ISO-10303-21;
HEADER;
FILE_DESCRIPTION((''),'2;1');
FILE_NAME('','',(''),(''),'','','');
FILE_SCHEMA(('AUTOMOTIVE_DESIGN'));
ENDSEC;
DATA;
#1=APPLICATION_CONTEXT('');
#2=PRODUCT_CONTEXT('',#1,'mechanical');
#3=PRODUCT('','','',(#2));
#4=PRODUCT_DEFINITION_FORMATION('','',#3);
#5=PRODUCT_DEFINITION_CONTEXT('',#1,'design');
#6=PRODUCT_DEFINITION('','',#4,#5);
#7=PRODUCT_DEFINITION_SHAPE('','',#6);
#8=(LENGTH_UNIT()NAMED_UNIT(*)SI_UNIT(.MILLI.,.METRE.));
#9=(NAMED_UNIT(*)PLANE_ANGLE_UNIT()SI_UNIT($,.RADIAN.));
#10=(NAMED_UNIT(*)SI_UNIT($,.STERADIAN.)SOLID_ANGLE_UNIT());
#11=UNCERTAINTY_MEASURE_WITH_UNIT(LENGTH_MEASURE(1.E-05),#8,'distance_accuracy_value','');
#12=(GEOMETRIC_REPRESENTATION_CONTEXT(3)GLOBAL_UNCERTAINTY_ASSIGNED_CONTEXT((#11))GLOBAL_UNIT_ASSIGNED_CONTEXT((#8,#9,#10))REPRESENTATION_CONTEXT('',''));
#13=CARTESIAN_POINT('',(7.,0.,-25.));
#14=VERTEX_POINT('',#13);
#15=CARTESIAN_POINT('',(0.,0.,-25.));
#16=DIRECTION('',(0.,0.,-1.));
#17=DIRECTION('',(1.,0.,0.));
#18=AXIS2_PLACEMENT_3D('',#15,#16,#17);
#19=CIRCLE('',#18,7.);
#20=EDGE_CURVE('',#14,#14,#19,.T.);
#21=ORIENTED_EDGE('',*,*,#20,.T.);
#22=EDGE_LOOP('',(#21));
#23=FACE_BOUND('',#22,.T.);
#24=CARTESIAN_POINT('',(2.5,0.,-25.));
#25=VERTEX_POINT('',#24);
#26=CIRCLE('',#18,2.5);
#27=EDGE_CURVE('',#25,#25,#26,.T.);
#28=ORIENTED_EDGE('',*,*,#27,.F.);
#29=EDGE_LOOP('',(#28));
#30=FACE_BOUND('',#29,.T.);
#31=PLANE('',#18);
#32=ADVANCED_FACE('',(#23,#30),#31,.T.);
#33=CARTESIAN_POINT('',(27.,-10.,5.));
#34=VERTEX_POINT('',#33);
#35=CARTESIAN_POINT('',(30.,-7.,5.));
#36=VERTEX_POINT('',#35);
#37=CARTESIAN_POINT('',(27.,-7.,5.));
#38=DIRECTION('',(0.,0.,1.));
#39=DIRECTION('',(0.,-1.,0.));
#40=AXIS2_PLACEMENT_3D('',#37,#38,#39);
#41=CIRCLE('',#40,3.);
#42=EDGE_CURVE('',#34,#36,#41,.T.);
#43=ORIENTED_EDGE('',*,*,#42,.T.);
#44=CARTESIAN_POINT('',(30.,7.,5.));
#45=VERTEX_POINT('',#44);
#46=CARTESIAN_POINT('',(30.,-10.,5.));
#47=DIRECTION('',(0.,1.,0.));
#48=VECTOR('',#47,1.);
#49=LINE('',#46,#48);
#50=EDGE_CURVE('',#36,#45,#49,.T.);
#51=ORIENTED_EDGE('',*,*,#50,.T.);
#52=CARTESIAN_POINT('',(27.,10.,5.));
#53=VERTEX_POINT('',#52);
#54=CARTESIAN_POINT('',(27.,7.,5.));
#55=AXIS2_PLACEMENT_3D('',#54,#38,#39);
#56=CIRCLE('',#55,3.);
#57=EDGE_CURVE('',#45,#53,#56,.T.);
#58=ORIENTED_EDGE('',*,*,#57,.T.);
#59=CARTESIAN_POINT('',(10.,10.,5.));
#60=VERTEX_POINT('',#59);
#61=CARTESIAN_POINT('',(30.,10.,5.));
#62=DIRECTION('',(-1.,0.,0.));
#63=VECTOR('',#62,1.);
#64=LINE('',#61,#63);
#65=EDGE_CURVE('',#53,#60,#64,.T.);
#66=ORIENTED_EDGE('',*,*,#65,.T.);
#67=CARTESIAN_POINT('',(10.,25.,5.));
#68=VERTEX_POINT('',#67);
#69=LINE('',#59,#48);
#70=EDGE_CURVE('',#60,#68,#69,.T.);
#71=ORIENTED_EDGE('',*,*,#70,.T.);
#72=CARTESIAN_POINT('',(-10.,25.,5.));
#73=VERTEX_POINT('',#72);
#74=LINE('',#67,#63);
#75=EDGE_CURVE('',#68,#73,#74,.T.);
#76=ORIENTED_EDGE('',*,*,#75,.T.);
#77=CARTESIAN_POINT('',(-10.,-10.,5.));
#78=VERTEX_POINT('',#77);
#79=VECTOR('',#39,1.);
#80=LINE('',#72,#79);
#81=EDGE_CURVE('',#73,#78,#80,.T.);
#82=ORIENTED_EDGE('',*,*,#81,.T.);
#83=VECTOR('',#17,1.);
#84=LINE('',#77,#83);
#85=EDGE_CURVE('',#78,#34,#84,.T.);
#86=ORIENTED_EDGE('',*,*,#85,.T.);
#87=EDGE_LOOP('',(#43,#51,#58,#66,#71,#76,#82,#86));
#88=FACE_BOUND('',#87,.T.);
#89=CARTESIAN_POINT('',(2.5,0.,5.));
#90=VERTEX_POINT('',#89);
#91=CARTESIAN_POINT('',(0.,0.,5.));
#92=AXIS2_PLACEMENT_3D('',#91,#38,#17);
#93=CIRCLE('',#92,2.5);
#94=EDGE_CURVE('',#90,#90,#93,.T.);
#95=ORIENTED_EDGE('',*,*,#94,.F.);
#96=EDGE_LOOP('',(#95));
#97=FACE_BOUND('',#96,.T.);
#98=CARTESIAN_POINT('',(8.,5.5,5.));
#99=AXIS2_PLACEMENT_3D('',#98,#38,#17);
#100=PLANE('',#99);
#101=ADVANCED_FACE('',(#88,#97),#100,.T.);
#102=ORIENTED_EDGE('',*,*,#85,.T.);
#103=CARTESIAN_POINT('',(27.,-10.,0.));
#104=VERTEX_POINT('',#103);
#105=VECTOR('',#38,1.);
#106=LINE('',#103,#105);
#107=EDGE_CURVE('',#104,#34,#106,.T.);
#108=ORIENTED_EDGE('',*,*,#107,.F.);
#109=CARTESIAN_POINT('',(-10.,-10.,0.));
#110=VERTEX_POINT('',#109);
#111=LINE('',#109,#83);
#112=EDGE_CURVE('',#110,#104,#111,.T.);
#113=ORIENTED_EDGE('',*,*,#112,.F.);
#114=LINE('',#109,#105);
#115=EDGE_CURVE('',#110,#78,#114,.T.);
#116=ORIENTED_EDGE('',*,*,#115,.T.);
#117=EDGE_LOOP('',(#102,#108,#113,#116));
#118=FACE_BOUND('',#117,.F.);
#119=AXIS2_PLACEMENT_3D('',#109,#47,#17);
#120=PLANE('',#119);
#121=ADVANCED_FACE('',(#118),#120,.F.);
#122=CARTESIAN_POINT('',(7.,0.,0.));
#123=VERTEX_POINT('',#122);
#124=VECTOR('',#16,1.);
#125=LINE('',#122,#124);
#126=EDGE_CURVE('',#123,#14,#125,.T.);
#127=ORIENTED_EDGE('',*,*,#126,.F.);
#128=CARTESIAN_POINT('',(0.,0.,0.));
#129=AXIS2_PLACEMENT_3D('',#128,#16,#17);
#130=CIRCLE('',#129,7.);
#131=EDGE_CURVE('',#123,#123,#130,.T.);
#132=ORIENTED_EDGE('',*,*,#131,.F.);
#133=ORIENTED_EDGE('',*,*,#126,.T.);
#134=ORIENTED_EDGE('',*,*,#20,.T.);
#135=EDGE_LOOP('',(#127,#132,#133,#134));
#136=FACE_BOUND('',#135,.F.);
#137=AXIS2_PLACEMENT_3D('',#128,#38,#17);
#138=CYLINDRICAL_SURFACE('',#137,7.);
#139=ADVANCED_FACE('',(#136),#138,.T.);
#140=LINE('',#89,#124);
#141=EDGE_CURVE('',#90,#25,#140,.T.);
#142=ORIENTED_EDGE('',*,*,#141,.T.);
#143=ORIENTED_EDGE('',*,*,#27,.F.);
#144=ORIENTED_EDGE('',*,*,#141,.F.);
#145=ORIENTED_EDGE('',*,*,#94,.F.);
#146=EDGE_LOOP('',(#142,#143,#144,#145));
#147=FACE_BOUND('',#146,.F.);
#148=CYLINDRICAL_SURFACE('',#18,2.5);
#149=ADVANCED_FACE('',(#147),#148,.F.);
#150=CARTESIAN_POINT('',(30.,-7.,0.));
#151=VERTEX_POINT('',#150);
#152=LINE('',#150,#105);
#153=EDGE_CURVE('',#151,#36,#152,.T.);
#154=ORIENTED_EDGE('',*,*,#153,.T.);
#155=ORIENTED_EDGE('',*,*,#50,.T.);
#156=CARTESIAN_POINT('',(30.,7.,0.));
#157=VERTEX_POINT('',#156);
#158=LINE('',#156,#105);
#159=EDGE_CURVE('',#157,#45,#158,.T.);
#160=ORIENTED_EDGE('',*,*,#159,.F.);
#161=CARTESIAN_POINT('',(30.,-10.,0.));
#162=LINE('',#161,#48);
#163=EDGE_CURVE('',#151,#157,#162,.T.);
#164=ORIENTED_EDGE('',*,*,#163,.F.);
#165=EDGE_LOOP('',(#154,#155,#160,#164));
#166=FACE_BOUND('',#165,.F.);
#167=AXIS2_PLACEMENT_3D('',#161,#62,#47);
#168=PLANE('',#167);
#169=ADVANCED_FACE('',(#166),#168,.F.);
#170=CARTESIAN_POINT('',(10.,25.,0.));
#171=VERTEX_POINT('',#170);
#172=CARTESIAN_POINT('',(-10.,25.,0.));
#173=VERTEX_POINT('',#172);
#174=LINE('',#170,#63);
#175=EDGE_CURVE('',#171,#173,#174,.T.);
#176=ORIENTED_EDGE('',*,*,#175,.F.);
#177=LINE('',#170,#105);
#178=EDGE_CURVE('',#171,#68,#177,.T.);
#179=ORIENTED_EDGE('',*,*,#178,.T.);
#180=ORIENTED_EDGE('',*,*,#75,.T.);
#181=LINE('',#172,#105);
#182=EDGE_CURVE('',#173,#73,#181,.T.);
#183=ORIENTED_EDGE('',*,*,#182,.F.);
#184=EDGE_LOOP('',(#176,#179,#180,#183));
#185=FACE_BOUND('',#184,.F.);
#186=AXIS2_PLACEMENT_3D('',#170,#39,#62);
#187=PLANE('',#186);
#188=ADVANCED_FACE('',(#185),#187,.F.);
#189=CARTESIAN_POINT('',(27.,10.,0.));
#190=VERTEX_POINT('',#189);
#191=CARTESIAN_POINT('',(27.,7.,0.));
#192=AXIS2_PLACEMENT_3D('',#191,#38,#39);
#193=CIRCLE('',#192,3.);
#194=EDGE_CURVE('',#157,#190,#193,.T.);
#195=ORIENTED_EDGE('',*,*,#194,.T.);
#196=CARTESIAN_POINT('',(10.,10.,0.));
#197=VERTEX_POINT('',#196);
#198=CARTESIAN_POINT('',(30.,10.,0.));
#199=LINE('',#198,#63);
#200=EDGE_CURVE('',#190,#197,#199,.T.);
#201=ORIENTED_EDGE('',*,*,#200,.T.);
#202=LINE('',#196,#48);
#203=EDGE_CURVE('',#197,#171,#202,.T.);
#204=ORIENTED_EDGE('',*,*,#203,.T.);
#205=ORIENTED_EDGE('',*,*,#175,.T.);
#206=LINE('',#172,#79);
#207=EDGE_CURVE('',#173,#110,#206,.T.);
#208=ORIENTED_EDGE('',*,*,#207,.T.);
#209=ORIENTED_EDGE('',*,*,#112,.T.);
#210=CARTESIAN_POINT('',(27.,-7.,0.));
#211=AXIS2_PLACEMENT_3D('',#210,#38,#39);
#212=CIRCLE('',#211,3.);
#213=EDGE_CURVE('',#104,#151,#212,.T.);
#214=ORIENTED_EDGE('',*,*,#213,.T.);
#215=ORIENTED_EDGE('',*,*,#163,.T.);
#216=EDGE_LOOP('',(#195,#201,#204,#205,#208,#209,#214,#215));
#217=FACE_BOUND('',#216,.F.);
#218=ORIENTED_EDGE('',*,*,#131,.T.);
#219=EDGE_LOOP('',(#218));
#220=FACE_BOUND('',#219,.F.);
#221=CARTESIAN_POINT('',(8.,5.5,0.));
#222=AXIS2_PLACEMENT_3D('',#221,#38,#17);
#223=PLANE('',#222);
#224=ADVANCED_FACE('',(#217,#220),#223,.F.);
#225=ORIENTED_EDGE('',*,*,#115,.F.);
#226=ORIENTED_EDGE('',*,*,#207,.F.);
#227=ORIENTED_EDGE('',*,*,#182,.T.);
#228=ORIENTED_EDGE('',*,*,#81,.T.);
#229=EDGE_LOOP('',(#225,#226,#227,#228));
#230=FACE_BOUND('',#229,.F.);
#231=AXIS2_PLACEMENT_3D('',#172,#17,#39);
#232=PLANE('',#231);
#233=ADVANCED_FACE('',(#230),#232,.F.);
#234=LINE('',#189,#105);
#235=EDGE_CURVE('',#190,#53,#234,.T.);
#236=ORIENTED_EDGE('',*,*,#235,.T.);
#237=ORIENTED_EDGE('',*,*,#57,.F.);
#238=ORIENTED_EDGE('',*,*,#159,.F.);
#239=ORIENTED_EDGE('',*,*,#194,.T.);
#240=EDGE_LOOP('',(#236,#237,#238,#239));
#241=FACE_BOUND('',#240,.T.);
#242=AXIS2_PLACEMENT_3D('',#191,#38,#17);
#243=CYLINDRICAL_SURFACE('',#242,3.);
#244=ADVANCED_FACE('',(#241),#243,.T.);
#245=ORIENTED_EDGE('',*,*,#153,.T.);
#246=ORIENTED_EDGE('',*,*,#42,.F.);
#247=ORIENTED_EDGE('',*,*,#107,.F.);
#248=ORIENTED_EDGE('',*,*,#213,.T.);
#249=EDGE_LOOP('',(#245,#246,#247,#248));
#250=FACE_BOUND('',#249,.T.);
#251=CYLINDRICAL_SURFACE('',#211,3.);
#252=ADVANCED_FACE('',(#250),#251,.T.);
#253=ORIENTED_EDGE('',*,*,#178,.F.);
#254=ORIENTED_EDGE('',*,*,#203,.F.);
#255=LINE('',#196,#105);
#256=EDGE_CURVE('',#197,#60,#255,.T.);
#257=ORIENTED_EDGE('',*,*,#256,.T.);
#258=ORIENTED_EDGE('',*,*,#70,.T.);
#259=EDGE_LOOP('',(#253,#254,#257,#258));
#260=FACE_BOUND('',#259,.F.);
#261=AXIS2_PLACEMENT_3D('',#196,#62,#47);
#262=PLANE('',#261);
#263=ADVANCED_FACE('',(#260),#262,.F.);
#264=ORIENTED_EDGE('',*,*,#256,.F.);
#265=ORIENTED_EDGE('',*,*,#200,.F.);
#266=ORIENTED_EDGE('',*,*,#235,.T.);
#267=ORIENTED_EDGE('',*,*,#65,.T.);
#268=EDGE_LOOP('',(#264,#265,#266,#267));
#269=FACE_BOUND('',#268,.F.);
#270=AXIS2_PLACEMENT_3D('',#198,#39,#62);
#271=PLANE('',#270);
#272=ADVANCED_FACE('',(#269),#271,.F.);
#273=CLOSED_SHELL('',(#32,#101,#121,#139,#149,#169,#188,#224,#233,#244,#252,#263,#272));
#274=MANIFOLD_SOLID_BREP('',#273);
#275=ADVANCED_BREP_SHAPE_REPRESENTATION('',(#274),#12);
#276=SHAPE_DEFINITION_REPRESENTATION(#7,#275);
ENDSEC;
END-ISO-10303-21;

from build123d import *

# Parameters (mm, degrees)
SKETCH_R     = 2.5
PAD_DEPTH    = 5
FILLET_R     = 3
SKETCH001_R  = 7
PAD001_DEPTH = 25
SKETCH002_R  = 2.5
POCKET_DEPTH = 30.001


with BuildPart() as part:
    # Sketch → Pad (new body)
    with BuildSketch(Plane.XY):
        Polygon((-10, -10), (30, -10), (30, 10), (10, 10), (10, 25), (-10, 25), align=None)
        Circle(SKETCH_R, mode=Mode.SUBTRACT)
    extrude(amount=PAD_DEPTH)

    # Fillet
    fillet_edges = [part.edges().sort_by_distance(p)[0] for p in [
        (30, 10, 2.5),
        (30, -10, 2.5),
    ]]
    fillet(fillet_edges, radius=FILLET_R)

    # Sketch001 → Pad001 (new body)
    with BuildSketch(Plane(origin=(0, 0, 0), x_dir=(1, 0, 0), z_dir=(0, 0, -1))):
        Circle(SKETCH001_R)
    extrude(amount=PAD001_DEPTH)

    # Sketch002 → Pocket (cut, through all)
    with BuildSketch(Plane(origin=(0, 0, -25), x_dir=(1, 0, 0), z_dir=(0, 0, -1))):
        Circle(SKETCH002_R)
    extrude(amount=-POCKET_DEPTH, mode=Mode.SUBTRACT)


solid = part.part
